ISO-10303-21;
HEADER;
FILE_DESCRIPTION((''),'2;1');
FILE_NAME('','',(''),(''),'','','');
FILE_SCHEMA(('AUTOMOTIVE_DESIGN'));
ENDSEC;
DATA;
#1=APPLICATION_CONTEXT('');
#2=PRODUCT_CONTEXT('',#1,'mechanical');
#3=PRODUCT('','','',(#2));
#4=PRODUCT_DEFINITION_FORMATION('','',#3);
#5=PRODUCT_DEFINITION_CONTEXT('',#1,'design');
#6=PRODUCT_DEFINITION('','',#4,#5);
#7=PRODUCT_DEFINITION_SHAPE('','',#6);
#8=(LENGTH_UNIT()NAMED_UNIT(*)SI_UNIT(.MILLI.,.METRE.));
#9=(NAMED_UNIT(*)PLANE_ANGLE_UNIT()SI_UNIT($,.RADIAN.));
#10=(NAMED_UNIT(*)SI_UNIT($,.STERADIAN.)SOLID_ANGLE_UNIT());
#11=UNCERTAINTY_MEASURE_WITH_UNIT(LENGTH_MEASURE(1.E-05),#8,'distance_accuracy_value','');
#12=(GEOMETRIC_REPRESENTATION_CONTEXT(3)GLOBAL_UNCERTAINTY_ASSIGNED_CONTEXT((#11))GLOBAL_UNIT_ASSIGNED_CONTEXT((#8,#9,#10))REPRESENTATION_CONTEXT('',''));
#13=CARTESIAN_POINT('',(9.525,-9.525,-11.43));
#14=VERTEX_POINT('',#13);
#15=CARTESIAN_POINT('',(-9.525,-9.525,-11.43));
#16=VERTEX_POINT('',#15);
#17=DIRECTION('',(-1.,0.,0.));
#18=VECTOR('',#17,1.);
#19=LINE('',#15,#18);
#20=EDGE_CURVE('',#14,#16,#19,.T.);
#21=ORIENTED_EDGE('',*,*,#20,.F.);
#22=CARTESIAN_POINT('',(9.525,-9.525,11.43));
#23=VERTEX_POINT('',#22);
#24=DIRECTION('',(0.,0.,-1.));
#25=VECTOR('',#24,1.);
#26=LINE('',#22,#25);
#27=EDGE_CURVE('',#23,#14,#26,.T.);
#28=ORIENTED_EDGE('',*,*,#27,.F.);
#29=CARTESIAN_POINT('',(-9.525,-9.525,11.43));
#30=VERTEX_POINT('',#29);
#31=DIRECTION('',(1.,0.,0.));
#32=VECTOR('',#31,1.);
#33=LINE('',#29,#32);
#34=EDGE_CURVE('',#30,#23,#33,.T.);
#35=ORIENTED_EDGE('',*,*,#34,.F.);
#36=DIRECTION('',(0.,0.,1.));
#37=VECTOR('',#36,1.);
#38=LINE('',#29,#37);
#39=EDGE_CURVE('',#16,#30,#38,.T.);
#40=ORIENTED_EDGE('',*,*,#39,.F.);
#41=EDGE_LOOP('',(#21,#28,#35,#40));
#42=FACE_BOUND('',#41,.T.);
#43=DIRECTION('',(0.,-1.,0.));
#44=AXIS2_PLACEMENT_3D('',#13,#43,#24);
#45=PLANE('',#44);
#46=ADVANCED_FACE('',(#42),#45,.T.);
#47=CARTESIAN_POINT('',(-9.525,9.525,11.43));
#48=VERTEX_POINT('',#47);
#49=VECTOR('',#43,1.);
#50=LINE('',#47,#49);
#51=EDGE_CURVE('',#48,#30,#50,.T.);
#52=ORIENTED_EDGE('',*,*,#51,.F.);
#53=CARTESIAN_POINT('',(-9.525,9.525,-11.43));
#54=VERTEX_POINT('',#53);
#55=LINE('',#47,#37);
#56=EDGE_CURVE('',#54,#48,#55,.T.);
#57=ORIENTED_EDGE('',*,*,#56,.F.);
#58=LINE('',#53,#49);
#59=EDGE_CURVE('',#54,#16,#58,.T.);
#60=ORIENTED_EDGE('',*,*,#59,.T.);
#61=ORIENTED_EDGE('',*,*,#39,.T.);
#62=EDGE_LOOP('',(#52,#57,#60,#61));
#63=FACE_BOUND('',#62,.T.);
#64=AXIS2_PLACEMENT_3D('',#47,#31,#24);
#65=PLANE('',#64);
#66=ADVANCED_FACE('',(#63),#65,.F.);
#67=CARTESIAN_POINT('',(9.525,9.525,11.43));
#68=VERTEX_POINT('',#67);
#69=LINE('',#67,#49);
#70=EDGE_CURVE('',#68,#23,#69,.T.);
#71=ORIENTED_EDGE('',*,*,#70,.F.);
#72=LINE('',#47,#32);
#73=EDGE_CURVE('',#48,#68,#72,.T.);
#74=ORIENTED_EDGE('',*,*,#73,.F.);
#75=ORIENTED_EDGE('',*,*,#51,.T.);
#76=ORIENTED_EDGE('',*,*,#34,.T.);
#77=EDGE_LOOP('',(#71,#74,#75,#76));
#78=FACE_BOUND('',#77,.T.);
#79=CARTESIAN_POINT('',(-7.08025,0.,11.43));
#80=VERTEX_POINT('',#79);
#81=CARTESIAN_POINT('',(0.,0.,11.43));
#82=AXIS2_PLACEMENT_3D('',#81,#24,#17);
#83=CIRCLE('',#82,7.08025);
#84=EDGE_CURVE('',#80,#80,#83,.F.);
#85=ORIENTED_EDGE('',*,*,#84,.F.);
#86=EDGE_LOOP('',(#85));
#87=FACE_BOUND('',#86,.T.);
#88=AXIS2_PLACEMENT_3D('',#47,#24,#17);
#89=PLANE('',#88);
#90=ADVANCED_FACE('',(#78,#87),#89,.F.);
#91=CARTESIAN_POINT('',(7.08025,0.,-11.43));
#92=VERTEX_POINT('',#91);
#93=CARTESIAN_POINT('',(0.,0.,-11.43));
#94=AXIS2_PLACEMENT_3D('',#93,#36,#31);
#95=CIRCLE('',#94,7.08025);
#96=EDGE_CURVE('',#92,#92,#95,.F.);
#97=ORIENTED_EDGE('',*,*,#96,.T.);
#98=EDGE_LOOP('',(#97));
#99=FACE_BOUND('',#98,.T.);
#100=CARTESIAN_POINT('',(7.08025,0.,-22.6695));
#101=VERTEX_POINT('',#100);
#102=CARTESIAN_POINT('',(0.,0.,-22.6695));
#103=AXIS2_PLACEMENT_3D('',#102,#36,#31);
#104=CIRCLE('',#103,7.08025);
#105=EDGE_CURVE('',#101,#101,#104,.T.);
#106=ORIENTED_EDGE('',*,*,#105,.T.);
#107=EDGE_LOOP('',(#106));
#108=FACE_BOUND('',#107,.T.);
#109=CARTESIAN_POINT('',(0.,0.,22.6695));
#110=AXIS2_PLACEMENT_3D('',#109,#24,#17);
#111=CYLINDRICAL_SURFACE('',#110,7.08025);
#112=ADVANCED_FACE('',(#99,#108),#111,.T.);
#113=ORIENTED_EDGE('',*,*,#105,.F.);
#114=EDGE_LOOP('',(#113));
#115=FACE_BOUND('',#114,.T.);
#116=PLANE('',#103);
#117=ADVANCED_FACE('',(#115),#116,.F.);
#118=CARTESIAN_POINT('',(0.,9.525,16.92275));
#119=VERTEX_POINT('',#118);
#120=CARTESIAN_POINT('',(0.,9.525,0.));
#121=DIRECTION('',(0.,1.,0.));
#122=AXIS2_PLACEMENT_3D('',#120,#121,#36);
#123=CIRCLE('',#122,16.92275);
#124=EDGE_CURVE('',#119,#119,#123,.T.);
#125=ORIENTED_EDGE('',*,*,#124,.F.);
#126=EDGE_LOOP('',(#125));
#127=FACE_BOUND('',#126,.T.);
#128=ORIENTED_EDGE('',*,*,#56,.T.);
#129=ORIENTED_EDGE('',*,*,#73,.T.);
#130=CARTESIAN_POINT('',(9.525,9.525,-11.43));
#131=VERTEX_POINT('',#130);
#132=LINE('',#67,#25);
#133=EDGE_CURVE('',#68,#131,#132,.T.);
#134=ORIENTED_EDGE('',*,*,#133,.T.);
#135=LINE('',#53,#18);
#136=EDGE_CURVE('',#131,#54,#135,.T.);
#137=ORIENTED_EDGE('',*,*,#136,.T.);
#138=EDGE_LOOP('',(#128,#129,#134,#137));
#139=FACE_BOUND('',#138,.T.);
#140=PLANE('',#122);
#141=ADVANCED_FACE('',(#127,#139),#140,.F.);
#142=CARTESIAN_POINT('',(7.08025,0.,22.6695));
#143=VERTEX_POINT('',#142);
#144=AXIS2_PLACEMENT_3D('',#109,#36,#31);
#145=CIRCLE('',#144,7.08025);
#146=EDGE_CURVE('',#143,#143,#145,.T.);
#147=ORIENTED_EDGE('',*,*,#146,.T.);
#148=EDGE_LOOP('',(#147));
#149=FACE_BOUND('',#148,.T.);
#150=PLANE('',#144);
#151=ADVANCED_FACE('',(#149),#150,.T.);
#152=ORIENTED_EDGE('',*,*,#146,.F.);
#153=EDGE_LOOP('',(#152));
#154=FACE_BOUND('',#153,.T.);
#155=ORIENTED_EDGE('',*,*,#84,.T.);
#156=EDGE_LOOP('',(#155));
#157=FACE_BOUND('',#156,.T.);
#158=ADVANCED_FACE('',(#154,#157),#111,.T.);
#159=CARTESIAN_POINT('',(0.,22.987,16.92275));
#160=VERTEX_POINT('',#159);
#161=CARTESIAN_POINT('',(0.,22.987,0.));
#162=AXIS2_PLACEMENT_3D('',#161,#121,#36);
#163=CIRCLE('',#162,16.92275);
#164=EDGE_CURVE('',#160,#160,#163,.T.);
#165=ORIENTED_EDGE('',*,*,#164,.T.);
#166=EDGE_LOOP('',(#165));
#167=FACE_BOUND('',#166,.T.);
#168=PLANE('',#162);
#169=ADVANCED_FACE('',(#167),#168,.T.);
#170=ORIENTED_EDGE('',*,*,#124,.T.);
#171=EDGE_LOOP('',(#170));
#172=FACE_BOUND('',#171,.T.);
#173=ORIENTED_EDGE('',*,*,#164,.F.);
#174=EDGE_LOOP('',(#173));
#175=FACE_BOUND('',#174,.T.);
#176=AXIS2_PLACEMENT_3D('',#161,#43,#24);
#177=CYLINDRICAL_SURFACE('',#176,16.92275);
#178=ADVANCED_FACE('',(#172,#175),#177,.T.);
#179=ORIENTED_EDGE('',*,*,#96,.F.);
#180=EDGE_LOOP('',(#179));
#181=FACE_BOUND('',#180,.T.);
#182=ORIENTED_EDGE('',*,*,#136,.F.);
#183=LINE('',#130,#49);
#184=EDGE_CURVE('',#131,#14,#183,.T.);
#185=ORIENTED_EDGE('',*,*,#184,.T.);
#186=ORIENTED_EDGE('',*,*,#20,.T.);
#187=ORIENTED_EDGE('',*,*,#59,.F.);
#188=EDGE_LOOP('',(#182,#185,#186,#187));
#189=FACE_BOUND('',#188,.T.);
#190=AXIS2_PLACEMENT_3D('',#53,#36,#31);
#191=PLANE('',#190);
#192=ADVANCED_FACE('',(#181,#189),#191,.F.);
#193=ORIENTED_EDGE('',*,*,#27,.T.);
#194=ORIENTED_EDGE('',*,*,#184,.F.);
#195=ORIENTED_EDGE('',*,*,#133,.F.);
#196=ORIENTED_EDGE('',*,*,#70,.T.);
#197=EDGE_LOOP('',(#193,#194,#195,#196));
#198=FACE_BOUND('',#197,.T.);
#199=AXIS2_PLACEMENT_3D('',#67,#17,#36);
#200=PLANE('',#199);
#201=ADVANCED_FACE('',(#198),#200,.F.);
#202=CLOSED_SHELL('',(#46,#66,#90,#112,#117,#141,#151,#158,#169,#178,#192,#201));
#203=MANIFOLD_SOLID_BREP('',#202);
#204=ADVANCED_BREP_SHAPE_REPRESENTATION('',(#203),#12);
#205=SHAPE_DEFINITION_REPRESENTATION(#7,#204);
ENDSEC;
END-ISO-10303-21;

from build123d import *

# Parameters (mm, degrees)
SKETCH1_W           = 19.05
SKETCH1_H           = 22.86
BOSS_EXTRUDE1_DEPTH = 9.525
SKETCH2_R           = 16.92275
BOSS_EXTRUDE2_DEPTH = 13.462
SKETCH4_R           = 7.08025
BOSS_EXTRUDE4_DEPTH = 22.6695


with BuildPart() as part:
    # Sketch1 → Boss-Extrude1 (new, symmetric)
    with BuildSketch(Plane(origin=(0, 0, 0), x_dir=(1, 0, 0), z_dir=(0, 1, 0))):
        Rectangle(SKETCH1_W, SKETCH1_H)
    extrude(amount=BOSS_EXTRUDE1_DEPTH, both=True)

    # Sketch2 → Boss-Extrude2 (add)
    with BuildSketch(Plane(origin=(0, 9.525, 0), x_dir=(1, 0, 0), z_dir=(0, 1, 0))):
        with Locations(Location((0, 0, 0), (0, 0, 270))):
            Circle(SKETCH2_R)
    extrude(amount=BOSS_EXTRUDE2_DEPTH)

    # Sketch4 → Boss-Extrude4 (add, symmetric)
    with BuildSketch(Plane.XY):
        with Locations(Location((0, 0, 0), (0, 0, 180))):
            Circle(SKETCH4_R)
    extrude(amount=BOSS_EXTRUDE4_DEPTH, both=True)


solid = part.part
